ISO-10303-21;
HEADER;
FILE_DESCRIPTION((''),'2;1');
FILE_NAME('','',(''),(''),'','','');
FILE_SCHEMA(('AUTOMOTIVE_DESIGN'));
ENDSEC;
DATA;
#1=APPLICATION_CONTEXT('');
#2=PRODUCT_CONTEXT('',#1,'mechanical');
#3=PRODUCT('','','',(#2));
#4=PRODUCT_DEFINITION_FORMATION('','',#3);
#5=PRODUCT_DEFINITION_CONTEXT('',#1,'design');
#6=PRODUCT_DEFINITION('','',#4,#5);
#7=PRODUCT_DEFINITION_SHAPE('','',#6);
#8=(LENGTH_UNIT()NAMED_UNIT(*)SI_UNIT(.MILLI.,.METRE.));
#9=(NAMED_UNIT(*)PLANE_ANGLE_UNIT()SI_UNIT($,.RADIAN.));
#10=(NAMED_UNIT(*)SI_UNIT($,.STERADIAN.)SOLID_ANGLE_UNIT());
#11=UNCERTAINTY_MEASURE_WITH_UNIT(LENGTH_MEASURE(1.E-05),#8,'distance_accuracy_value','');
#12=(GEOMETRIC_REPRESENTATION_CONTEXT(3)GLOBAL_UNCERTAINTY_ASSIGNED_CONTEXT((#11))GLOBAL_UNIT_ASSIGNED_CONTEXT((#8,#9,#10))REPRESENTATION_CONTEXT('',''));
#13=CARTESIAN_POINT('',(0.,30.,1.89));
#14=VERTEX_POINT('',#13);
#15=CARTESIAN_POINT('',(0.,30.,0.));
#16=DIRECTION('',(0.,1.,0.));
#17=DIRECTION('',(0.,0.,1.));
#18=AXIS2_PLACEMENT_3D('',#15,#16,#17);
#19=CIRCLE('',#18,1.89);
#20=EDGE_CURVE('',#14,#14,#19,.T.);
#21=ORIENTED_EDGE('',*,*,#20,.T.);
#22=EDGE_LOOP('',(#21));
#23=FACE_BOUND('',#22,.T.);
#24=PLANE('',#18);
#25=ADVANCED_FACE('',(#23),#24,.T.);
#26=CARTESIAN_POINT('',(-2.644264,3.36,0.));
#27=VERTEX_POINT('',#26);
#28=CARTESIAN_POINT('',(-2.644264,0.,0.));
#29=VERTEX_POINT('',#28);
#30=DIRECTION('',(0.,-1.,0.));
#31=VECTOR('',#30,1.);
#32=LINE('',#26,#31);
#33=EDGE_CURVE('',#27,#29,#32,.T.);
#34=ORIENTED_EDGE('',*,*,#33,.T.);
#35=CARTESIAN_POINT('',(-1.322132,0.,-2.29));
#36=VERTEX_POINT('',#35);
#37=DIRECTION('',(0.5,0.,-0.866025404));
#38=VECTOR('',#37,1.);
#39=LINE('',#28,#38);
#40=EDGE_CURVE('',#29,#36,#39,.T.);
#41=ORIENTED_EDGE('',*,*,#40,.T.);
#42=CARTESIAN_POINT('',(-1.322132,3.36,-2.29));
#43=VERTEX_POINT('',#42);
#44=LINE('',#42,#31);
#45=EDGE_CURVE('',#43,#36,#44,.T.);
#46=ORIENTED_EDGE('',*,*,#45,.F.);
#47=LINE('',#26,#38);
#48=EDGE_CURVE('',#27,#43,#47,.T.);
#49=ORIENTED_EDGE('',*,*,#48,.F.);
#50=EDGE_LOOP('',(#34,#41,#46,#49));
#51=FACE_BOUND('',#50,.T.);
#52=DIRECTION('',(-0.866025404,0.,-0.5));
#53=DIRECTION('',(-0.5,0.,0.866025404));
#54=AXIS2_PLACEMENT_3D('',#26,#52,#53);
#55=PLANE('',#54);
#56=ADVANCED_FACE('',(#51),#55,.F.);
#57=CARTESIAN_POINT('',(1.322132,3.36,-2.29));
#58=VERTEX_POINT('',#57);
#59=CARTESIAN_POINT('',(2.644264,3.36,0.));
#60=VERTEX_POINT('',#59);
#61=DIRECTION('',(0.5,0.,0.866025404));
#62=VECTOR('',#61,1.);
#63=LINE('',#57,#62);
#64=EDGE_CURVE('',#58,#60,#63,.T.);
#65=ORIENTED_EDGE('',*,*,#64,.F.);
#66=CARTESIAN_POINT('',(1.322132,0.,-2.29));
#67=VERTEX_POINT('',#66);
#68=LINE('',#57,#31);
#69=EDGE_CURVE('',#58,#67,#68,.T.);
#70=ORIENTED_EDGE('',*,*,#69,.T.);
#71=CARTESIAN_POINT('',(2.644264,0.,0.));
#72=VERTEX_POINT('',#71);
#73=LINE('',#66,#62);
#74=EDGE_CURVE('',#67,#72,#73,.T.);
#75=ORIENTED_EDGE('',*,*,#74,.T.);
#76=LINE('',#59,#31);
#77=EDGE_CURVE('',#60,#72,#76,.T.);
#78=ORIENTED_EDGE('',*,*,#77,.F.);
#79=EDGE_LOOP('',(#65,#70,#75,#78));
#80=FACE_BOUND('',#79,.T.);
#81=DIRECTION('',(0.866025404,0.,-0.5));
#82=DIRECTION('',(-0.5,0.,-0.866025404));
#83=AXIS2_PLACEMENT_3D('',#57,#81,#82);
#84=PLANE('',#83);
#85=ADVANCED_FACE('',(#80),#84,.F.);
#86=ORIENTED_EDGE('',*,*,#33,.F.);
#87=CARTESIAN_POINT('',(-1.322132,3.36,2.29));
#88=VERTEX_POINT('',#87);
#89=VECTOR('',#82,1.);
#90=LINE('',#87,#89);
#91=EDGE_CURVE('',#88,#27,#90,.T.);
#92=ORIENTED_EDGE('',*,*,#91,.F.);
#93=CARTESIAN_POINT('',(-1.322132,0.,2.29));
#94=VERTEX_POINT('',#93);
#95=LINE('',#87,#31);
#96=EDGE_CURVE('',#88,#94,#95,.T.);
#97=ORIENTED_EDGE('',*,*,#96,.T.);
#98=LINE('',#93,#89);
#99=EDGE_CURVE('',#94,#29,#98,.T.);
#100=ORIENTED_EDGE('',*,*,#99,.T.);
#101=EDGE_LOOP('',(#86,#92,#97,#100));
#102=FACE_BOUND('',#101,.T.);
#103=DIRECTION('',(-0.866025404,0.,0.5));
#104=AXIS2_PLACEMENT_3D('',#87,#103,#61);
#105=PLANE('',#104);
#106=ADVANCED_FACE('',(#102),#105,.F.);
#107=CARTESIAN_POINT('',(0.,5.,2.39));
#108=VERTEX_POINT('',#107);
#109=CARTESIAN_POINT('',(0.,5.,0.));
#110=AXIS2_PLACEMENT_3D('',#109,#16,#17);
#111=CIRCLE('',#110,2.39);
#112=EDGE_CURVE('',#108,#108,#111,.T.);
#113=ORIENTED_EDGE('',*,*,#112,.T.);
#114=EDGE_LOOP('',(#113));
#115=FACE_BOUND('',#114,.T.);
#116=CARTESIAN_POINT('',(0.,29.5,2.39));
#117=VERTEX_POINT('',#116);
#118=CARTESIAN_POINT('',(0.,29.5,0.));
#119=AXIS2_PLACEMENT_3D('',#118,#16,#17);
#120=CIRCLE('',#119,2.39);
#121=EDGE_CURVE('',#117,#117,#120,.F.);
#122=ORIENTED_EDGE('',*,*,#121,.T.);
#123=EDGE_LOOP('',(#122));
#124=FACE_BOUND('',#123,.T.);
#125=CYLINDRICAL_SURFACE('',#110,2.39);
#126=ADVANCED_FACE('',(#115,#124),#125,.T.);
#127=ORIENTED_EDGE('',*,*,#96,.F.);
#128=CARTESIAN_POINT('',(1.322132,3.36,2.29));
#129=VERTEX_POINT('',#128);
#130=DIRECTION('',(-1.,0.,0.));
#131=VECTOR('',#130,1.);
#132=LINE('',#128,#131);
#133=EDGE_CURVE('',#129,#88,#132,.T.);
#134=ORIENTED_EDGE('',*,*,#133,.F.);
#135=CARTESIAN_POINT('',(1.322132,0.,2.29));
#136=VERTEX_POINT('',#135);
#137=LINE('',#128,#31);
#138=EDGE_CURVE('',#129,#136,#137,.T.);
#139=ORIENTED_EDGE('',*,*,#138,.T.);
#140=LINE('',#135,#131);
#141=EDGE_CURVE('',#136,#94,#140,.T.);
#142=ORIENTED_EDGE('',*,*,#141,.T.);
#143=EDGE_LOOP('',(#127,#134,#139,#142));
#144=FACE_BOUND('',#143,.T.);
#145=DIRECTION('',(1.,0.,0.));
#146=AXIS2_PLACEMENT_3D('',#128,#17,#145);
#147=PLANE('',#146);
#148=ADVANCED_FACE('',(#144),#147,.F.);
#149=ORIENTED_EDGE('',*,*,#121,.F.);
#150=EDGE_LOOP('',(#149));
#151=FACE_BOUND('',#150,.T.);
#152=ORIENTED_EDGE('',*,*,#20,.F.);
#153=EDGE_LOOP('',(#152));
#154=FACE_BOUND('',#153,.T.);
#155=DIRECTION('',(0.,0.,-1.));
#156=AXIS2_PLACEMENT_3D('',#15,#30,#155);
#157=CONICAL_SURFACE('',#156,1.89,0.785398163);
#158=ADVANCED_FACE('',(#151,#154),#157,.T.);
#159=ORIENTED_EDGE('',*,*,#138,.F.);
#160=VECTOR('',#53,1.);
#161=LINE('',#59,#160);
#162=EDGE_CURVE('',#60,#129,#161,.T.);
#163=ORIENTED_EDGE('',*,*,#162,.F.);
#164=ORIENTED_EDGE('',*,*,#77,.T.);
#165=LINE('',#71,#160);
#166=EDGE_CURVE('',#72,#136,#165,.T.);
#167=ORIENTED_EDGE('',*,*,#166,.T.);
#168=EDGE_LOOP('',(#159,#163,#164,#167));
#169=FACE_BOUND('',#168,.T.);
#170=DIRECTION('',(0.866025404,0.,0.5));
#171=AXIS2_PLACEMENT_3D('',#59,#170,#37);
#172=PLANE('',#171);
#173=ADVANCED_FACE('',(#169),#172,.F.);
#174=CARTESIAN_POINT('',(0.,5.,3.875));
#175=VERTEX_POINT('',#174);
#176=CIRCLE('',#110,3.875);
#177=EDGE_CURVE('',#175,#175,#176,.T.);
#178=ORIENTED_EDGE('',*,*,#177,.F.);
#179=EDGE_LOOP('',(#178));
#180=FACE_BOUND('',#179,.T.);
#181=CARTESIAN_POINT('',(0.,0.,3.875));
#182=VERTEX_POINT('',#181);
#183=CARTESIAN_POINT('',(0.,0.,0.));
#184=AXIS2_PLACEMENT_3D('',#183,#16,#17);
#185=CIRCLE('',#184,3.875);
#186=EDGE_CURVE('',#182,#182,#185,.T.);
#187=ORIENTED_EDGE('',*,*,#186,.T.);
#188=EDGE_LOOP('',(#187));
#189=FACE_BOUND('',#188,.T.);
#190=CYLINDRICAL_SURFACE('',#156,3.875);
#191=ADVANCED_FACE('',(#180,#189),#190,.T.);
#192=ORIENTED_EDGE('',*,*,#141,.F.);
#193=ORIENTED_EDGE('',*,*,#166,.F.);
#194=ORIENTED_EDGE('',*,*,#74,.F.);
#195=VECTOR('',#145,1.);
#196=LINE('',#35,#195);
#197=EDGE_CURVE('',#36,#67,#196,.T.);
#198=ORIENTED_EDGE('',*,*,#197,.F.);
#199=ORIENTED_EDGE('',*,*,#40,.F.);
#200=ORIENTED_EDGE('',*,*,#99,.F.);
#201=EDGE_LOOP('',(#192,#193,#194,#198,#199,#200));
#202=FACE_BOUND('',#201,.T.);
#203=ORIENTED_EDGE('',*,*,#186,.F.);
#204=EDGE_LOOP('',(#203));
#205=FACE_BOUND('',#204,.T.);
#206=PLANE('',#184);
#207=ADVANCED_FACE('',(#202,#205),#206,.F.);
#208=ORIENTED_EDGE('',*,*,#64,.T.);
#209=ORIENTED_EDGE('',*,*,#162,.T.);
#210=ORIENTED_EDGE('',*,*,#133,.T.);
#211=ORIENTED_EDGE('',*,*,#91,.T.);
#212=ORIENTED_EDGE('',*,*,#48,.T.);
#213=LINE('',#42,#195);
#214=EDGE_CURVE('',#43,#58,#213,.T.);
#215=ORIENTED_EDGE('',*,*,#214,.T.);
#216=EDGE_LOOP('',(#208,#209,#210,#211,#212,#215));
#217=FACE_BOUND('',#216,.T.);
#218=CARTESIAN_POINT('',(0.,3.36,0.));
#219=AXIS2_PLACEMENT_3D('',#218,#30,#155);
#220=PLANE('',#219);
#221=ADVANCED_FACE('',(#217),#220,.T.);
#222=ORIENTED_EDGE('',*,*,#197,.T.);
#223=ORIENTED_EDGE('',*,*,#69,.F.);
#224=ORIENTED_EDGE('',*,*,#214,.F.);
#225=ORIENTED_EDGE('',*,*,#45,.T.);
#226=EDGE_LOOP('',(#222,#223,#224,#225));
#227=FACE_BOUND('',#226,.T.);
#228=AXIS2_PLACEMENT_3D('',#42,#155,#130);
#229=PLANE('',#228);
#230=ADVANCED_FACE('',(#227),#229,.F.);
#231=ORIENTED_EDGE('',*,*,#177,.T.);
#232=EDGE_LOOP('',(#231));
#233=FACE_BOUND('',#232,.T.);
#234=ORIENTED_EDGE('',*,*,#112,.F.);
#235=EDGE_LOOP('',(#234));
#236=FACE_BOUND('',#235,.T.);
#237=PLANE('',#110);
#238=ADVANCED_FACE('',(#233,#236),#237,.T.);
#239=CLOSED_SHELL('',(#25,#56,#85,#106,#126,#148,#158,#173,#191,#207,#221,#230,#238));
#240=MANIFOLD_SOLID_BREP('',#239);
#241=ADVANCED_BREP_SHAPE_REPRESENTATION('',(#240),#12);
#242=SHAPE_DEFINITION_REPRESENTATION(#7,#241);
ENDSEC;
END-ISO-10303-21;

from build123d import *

# Parameters (mm, degrees)
SKETCH1_R           = 3.875
BOSS_EXTRUDE1_DEPTH = 30
SKETCH2_OUTSIDE_W   = 16.138
SKETCH2_OUTSIDE_H   = 16.138
SKETCH2_OUTSIDE_R   = 2.39
CUT_EXTRUDE1_DEPTH  = 25
CHAMFER1_SIZE       = 0.5
CUT_EXTRUDE2_DEPTH  = 3.36


with BuildPart() as part:
    # Sketch1 → Boss-Extrude1 (new body)
    with BuildSketch(Plane(origin=(0, 0, 0), x_dir=(1, 0, 0), z_dir=(0, 1, 0))):
        Circle(SKETCH1_R)
    extrude(amount=BOSS_EXTRUDE1_DEPTH)

    # Sketch2 outside → Cut-Extrude1 (cut)
    with BuildSketch(Plane(origin=(0, 30, 0), x_dir=(1, 0, 0), z_dir=(0, 1, 0))):
        Rectangle(SKETCH2_OUTSIDE_W, SKETCH2_OUTSIDE_H)
        Circle(SKETCH2_OUTSIDE_R, mode=Mode.SUBTRACT)
    extrude(amount=-CUT_EXTRUDE1_DEPTH, mode=Mode.SUBTRACT)

    # Chamfer1
    chamfer1_edges = [part.edges().sort_by_distance(p)[0] for p in [
        (-2.39, 30, 0),
    ]]
    chamfer(chamfer1_edges, length=CHAMFER1_SIZE)

    # Sketch8 → Cut-Extrude2 (cut)
    with BuildSketch(Plane.XZ):
        Polygon((2.644264233, 0), (1.322132116, 2.29), (-1.322132116, 2.29), (-2.644264233, 0), (-1.322132116, -2.29), (1.322132116, -2.29), align=None)
    extrude(amount=-CUT_EXTRUDE2_DEPTH, mode=Mode.SUBTRACT)


solid = part.part
